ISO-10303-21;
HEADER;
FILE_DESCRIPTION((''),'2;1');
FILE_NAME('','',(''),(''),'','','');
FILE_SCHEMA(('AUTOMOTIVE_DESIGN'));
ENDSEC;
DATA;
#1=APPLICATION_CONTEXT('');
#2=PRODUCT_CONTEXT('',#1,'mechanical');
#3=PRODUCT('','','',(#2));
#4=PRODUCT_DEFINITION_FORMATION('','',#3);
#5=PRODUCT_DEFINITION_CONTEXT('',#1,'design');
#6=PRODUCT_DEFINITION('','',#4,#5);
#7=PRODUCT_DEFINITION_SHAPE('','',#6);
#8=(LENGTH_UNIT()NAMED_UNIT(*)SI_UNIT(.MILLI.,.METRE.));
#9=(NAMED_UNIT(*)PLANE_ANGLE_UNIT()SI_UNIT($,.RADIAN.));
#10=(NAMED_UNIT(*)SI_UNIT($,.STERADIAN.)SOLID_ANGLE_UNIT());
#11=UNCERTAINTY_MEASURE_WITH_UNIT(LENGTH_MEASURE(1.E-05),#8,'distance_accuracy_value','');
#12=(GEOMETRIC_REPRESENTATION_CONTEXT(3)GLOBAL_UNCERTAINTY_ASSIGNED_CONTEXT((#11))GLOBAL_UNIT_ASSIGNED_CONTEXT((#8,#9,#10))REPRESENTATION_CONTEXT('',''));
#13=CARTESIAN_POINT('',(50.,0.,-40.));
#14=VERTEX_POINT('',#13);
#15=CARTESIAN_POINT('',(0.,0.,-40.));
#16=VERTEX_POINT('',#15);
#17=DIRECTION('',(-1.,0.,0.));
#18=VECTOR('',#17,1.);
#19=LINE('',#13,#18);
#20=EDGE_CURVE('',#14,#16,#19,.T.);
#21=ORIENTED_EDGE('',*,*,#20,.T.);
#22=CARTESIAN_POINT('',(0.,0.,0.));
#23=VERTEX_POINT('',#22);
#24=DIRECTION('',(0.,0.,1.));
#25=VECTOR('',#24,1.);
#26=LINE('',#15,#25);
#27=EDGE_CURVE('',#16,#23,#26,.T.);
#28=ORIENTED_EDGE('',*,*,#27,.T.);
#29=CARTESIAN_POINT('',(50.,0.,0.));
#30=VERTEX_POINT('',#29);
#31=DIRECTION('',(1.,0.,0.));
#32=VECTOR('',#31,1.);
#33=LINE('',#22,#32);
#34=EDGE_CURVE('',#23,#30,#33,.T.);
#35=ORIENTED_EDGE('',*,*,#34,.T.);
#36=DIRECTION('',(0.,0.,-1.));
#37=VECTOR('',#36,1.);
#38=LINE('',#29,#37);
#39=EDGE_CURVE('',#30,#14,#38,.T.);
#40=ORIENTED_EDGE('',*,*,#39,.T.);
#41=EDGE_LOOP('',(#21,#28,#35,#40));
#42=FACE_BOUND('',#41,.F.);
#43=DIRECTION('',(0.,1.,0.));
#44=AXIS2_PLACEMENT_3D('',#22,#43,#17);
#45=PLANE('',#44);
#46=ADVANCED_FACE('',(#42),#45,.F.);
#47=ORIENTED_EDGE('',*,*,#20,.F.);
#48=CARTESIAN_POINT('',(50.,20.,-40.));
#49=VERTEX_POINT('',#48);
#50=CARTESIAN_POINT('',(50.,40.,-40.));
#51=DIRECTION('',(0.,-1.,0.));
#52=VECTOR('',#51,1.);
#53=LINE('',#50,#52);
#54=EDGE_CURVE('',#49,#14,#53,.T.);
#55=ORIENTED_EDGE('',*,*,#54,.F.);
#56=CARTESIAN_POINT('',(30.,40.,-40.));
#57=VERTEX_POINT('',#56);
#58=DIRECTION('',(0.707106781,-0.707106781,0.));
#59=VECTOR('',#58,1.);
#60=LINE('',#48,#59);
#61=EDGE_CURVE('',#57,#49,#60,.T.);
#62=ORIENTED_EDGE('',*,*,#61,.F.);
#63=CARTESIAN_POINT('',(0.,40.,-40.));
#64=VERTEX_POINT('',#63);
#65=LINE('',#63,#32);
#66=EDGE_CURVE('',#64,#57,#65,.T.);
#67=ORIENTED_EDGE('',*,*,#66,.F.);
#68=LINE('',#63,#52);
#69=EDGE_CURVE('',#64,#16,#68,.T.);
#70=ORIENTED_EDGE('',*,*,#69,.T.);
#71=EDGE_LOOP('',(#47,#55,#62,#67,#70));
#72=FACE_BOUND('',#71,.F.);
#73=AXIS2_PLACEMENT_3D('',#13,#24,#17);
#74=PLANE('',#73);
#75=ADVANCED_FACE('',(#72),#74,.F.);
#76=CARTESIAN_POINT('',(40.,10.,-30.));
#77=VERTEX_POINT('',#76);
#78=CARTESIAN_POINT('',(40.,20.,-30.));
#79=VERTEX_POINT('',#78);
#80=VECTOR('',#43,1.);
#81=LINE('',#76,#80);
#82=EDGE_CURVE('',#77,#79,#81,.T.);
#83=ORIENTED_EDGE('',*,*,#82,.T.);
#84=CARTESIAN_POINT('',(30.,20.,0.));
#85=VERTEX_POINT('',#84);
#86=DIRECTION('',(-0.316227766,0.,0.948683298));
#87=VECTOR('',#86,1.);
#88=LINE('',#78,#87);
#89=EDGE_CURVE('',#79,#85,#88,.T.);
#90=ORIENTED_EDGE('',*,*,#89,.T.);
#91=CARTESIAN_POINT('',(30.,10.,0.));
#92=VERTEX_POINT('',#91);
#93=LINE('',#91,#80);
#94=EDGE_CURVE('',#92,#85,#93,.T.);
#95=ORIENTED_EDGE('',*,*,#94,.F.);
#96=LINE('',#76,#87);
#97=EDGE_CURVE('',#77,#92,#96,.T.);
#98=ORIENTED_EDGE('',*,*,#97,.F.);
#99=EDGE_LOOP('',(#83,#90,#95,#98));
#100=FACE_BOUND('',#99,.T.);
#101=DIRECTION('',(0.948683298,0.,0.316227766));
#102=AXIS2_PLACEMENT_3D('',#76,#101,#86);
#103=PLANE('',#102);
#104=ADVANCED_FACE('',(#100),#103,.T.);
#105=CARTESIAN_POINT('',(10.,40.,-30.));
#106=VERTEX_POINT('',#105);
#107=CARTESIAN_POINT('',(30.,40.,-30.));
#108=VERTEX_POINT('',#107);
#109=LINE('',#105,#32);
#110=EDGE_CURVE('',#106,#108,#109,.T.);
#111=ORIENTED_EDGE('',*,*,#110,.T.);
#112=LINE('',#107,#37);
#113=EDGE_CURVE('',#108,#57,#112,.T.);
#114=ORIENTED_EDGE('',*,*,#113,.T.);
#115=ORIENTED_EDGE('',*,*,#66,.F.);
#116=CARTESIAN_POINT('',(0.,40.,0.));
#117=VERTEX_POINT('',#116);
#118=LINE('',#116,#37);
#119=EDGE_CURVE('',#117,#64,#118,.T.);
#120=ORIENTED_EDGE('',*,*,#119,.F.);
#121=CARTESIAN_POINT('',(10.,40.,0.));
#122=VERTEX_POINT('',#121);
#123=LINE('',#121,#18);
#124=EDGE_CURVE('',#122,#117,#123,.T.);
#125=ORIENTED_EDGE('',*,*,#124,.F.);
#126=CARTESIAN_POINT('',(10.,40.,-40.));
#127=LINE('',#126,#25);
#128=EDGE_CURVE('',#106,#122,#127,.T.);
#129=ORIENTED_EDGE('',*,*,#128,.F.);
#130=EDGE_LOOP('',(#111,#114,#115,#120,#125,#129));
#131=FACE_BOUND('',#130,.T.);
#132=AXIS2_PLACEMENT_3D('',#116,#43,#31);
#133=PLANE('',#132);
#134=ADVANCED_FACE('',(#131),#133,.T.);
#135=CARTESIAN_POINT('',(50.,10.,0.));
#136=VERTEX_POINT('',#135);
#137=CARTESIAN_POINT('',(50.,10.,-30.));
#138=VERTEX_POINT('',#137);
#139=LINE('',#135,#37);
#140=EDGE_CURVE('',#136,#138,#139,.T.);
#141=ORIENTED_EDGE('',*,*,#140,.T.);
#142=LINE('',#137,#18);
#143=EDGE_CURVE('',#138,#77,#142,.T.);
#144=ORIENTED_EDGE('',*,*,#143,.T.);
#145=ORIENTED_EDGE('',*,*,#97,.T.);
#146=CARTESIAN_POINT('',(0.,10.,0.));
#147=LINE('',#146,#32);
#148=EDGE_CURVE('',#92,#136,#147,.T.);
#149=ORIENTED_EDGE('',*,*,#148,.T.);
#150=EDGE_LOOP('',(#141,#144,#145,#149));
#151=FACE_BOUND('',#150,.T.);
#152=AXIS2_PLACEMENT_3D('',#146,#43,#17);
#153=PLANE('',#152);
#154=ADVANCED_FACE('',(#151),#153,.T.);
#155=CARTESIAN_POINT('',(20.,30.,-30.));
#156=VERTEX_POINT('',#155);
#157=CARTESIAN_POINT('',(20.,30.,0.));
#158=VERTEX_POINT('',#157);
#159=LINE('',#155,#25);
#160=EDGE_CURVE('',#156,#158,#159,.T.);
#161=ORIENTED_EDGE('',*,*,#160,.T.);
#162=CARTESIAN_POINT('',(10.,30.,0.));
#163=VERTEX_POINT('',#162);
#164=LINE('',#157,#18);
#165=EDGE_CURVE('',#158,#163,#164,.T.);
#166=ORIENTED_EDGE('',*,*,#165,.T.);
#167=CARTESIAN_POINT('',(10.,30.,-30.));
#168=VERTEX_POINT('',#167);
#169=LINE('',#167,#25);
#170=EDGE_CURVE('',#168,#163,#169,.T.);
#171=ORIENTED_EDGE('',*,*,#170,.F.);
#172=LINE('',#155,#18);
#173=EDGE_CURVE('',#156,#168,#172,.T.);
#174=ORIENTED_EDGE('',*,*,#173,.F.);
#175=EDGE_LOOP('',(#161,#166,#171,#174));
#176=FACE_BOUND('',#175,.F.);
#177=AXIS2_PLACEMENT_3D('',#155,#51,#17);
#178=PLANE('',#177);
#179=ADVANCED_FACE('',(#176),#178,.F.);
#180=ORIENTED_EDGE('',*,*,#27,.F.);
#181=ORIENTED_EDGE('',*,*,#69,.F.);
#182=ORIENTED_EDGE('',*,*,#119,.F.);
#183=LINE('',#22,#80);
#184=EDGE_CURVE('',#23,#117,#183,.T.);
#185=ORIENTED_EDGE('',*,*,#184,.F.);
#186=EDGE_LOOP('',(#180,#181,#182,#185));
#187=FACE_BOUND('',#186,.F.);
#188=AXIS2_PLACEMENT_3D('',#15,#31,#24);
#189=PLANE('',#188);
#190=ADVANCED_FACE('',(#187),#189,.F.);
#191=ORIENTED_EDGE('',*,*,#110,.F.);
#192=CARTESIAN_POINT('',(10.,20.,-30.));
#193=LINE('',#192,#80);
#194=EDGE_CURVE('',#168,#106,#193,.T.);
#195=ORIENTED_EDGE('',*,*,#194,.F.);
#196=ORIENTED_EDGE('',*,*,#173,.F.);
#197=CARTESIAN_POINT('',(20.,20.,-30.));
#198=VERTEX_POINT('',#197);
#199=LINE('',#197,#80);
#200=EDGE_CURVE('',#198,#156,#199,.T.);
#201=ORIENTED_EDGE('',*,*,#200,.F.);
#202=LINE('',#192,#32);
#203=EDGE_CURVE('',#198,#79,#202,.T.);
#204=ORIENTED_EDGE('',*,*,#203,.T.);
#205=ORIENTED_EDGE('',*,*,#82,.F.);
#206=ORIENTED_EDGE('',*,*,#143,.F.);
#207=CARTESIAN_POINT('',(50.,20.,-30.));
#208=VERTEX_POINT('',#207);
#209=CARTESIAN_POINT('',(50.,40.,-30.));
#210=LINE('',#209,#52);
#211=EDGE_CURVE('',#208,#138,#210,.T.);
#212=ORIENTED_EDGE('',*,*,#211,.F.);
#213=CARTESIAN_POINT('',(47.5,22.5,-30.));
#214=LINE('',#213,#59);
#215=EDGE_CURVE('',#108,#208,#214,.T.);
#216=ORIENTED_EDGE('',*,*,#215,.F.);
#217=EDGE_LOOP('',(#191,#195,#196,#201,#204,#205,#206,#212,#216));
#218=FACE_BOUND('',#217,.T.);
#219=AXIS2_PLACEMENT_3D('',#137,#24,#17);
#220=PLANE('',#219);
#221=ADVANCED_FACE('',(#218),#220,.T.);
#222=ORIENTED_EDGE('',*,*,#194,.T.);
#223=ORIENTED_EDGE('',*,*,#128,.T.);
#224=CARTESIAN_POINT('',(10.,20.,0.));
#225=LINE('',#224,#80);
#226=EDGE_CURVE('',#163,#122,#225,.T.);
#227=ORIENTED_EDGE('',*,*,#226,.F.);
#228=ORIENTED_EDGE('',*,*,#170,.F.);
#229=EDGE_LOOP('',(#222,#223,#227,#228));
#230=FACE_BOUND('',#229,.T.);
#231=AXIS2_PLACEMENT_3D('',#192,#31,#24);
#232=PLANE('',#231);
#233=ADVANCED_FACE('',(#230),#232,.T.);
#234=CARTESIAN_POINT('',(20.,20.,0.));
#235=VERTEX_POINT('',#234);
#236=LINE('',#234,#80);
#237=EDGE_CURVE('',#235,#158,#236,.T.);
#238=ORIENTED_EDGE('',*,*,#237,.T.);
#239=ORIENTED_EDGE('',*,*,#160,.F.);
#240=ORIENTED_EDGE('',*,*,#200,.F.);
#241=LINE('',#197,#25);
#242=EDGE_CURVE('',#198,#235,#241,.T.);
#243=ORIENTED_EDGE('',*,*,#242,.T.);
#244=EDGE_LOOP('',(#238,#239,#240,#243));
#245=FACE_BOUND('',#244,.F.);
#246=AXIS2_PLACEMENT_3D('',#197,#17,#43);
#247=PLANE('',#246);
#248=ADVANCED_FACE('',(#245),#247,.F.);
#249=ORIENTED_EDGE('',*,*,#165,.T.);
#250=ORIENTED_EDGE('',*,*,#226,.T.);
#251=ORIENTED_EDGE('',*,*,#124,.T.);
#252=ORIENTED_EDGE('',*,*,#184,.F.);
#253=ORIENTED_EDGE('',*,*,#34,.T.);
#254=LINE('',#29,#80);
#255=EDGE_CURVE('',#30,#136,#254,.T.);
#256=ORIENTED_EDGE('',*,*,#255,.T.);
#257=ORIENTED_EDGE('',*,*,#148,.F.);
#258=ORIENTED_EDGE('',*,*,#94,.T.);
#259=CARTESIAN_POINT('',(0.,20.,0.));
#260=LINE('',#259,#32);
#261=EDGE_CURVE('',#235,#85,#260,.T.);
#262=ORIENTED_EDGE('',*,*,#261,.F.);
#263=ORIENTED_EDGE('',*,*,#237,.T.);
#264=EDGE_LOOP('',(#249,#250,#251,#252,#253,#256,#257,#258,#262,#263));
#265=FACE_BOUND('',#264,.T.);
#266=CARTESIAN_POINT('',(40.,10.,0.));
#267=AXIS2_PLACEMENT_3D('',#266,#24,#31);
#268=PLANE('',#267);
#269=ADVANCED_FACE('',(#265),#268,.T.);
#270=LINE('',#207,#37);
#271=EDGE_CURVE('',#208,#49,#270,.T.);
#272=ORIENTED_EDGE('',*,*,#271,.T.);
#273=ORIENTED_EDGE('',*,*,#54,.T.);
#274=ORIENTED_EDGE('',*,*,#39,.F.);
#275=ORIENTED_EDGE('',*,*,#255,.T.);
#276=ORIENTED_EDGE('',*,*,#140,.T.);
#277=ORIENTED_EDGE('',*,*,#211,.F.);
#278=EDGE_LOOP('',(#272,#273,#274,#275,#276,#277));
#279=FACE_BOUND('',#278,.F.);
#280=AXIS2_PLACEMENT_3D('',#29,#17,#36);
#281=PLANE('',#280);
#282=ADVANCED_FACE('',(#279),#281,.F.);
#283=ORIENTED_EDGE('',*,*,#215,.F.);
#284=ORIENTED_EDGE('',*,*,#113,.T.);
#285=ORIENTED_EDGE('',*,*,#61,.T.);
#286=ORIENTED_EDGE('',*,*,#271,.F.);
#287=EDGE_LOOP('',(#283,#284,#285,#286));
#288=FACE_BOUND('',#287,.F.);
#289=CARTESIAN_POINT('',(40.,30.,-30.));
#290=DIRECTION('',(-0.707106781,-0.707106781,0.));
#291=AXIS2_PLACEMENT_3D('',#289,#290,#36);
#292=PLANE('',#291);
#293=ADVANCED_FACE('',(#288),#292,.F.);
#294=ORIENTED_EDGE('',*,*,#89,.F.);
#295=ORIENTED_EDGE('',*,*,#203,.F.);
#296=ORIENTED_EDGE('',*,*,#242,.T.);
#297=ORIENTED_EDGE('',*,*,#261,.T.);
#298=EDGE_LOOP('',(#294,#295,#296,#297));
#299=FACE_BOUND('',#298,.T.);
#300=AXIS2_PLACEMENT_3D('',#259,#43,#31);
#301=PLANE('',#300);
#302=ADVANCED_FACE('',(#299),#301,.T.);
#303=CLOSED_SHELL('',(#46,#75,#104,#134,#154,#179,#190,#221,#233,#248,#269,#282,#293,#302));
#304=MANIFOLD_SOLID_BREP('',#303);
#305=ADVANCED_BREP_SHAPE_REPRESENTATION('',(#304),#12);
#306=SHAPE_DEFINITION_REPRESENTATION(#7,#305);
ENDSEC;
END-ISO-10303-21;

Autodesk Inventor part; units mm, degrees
ref_plane "YZ Plane" through (0, 0, 0) normal (1, 0, 0) x (0, 1, 0)
ref_plane "XZ Plane" through (0, 0, 0) normal (0, 1, 0) x (-1, 0, 0)
ref_plane "XY Plane" through (0, 0, 0) normal (0, 0, 1) x (1, 0, 0)
sketch "草圖1" plane through (0, 0, 0) normal (0, 1, 0) x (-1, 0, 0)
  line L0 (0, 0) -> (-50, 0)
  line L1 (-50, 0) -> (-50, -40)
  line L2 (-50, -40) -> (0, -40)
  line L3 (0, -40) -> (0, 0)
  dimension "d0" = 50
  dimension "d1" = 40
extrude "擠出1" add sketch "草圖1" along normal blind 10
sketch "草圖2" plane through (0, 10, 0) normal (0, 1, 0) x (1, 0, 0)
  line L0 (50, 40) -> (0, 40) projected
  line L1 (-0.0002, 40) -> (50, 40)
  line L2 (50, 40) -> (50, 30)
  line L3 (50, 0) -> (50, 40) projected
  line L4 (50, 30) -> (40, 30)
  line L5 (40, 30) -> (30, 0)
  line L6 (0, 0) -> (50, 0) projected
  line L7 (0, 0) -> (30, 0)
  line L8 (0, 0) -> (0, 40)
  dimension "d4" = 10
  dimension "d5" = 10
  dimension "d6" = 10
extrude "擠出2" add sketch "草圖2" along normal blind 10 contours L2 L4 L5 L6 L8 L0
sketch "草圖3" plane through (0, 20, 0) normal (0, 1, 0) x (1, 0, 0)
  line L0 (50, 40) -> (0, 40) projected
  line L1 (0, 40) -> (10, 40)
  line L2 (10, 40) -> (10, 0)
  line L3 (10, 0) -> (0, 0)
  line L4 (0, 0) -> (0, 40)
  line L5 (50, 40) -> (10, 40)
  line L6 (10, 40) -> (10, 30)
  line L7 (10, 30) -> (50, 30)
  line L8 (50, 30) -> (50, 40)
  point P0 (0, 0)
  dimension "d9" = 10
  dimension "d10" = 40
  dimension "d11" = 10
extrude "擠出3" add sketch "草圖3" along normal blind 20
sketch "草圖4" plane through (40, 10, -30) normal (0, 0, 1) x (1, 0, 0)
  line L0 (0, 10) -> (-30, 10) projected
  line L1 (-30, 10) -> (-20, 10)
  line L2 (-20, 10) -> (-20, 20)
  line L3 (-20, 20) -> (-30, 20)
  line L4 (-30, 20) -> (-30, 10)
  point P0 (-40, -10)
  dimension "d14" = 10
  dimension "d15" = 10
extrude "擠出4" add sketch "草圖4" along normal up to surface (30 mm away)
chamfer "倒角1" distance 20 angle 45 1 edges at (50, 40, -35)
properties part number "15"
